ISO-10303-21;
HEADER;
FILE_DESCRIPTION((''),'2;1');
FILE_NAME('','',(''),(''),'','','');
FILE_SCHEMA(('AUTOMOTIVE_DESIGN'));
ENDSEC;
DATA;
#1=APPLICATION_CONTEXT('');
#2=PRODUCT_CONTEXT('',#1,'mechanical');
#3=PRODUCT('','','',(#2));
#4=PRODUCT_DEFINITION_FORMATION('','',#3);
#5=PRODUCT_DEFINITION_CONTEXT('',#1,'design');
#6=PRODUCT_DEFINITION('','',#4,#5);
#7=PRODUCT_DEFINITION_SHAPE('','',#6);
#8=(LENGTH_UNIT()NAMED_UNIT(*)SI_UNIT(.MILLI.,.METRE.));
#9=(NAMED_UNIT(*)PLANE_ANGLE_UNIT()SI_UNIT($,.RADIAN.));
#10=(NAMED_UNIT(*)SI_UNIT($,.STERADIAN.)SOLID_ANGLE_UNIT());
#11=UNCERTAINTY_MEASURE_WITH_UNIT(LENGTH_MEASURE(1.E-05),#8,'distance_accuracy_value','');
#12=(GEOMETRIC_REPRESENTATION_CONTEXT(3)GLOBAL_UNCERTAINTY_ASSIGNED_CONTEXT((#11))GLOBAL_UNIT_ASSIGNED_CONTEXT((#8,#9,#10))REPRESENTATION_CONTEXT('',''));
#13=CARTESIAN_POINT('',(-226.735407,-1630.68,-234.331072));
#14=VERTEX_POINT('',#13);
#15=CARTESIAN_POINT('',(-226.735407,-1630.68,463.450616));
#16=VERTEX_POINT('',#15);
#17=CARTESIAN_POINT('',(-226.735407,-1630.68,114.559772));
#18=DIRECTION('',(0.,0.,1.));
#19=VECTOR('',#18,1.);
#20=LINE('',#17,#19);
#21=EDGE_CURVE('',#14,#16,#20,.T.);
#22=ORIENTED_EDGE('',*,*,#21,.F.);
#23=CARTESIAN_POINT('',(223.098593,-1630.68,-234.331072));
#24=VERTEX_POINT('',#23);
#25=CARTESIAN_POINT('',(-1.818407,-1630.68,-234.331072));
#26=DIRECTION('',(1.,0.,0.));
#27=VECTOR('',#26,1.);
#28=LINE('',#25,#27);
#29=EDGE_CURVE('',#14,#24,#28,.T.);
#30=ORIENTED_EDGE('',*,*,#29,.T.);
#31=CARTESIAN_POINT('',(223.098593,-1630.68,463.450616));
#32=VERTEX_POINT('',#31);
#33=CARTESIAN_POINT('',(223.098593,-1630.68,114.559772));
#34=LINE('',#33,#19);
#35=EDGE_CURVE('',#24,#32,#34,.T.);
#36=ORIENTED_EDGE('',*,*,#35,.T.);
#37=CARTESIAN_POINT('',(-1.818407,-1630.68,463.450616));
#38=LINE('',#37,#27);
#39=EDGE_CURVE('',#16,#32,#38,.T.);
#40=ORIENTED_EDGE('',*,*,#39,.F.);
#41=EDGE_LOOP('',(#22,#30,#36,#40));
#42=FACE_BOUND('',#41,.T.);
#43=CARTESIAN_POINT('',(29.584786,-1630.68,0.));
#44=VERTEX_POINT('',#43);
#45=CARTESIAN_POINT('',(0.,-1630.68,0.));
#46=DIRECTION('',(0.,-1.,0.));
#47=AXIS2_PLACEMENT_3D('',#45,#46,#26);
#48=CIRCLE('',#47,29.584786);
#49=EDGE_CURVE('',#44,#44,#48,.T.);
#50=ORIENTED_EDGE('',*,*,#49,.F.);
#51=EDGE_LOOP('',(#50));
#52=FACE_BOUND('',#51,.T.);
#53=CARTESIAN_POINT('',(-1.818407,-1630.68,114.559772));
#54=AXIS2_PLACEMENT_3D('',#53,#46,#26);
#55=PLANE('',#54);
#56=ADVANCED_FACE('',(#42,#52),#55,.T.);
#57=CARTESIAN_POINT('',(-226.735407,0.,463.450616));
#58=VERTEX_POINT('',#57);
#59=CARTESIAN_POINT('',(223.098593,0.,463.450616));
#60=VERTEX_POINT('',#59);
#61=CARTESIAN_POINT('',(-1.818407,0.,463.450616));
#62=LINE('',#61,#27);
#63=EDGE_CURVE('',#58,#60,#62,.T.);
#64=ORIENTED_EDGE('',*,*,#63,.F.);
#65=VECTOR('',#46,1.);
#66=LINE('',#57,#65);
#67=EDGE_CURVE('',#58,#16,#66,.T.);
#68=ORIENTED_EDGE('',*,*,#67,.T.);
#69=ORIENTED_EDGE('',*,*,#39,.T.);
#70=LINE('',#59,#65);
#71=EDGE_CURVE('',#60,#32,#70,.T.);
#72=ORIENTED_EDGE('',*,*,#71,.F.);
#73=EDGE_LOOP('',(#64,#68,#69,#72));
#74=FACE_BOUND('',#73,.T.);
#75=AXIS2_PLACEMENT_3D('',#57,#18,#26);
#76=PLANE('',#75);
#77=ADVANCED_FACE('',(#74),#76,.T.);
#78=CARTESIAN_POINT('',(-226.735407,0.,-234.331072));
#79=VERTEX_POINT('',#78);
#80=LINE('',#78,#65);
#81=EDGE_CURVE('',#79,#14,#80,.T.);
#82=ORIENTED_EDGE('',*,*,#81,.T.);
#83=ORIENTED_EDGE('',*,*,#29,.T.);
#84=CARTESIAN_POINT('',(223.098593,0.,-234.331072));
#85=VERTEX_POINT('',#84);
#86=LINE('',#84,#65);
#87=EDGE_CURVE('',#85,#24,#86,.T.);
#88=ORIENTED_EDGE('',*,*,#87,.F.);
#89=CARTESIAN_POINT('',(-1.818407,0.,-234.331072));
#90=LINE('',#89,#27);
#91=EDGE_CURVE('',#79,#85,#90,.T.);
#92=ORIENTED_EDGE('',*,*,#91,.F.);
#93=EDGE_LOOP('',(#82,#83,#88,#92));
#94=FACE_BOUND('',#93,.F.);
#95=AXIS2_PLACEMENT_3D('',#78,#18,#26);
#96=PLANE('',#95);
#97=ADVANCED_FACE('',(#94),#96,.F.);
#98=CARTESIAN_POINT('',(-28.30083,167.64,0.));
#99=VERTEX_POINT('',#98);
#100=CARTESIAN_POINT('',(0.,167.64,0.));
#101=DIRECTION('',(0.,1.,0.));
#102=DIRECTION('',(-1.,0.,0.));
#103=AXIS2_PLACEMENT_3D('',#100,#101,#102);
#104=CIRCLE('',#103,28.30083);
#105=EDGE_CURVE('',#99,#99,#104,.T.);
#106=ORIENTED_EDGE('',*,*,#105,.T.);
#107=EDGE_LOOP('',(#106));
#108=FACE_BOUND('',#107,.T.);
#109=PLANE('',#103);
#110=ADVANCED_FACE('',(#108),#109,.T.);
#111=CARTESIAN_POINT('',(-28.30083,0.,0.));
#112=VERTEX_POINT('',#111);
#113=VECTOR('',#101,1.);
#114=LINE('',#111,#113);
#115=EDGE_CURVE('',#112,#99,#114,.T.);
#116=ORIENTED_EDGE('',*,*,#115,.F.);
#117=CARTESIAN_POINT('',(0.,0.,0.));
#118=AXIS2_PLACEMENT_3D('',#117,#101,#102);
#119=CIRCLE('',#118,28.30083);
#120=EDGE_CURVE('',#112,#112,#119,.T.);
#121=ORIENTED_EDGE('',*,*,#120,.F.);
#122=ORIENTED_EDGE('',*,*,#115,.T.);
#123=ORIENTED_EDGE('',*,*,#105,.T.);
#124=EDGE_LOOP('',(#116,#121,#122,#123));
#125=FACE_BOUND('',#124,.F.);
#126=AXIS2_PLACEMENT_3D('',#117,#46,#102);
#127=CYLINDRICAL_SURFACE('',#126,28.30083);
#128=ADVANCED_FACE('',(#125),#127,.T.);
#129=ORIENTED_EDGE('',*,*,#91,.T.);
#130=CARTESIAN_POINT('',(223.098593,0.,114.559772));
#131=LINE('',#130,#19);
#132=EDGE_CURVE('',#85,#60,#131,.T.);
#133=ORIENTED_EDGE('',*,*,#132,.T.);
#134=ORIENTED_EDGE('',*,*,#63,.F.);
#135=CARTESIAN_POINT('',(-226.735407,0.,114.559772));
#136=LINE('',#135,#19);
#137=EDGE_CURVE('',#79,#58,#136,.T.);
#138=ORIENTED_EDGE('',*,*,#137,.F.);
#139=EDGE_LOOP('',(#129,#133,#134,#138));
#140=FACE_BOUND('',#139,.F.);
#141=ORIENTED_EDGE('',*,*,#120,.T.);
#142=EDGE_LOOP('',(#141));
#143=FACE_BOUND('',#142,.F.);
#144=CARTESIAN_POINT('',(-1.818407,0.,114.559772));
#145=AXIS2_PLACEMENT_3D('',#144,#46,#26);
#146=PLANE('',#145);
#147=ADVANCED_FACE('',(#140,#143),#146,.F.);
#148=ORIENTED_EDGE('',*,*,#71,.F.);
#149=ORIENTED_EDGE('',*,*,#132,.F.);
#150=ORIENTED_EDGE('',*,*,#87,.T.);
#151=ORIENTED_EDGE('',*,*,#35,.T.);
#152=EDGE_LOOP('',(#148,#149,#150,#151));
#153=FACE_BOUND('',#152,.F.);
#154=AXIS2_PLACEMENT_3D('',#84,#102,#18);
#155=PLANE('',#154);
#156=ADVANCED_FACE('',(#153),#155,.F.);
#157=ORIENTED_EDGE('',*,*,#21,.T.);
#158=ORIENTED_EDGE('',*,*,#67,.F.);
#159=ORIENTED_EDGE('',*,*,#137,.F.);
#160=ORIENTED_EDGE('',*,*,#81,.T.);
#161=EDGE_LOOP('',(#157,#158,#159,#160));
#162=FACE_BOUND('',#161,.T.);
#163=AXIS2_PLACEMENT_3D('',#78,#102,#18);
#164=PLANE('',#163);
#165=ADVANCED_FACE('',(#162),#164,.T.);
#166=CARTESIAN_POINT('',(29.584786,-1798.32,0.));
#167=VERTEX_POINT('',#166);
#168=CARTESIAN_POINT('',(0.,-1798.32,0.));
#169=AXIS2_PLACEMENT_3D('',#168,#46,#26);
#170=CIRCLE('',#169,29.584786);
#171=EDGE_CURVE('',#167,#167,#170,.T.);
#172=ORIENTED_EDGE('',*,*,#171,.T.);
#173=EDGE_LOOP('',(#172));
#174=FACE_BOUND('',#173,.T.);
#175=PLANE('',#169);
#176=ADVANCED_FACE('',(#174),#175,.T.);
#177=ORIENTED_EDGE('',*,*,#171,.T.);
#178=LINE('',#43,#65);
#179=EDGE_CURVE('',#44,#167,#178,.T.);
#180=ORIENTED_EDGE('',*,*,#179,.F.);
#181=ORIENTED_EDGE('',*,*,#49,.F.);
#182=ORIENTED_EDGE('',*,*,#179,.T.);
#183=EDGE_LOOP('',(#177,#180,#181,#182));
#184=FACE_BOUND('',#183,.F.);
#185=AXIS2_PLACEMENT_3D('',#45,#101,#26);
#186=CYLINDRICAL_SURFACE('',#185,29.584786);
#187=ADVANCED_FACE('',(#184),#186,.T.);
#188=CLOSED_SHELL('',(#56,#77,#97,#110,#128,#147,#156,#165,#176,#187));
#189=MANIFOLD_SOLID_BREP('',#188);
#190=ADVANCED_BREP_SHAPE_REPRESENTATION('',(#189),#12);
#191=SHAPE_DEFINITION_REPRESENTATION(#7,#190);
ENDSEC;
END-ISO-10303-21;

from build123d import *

# Parameters (mm, degrees)
F0_W     = 449.834
F0_H     = 697.781688
F1_DEPTH = 1630.68
F2_R     = 29.584786
F3_DEPTH = 167.64
F4_R     = 28.30083
F5_DEPTH = 167.64


with BuildPart() as f1:
    # F0 (on Front) → F1 (new body)
    with BuildSketch(Plane.XZ):
        with Locations((-1.818407, 114.559772)):
            Rectangle(F0_W, F0_H)
    extrude(amount=F1_DEPTH)

    # F2 (on face) → F3 (join)
    with BuildSketch(Plane.XZ.offset(1630.68)):
        Circle(F2_R)
    extrude(amount=F3_DEPTH)

    # F4 (on face) → F5 (join)
    with BuildSketch(Plane(origin=(0, 0, 0), x_dir=(-1, 0, 0), z_dir=(0, 1, 0))):
        Circle(F4_R)
    extrude(amount=F5_DEPTH)


solid = f1.part
